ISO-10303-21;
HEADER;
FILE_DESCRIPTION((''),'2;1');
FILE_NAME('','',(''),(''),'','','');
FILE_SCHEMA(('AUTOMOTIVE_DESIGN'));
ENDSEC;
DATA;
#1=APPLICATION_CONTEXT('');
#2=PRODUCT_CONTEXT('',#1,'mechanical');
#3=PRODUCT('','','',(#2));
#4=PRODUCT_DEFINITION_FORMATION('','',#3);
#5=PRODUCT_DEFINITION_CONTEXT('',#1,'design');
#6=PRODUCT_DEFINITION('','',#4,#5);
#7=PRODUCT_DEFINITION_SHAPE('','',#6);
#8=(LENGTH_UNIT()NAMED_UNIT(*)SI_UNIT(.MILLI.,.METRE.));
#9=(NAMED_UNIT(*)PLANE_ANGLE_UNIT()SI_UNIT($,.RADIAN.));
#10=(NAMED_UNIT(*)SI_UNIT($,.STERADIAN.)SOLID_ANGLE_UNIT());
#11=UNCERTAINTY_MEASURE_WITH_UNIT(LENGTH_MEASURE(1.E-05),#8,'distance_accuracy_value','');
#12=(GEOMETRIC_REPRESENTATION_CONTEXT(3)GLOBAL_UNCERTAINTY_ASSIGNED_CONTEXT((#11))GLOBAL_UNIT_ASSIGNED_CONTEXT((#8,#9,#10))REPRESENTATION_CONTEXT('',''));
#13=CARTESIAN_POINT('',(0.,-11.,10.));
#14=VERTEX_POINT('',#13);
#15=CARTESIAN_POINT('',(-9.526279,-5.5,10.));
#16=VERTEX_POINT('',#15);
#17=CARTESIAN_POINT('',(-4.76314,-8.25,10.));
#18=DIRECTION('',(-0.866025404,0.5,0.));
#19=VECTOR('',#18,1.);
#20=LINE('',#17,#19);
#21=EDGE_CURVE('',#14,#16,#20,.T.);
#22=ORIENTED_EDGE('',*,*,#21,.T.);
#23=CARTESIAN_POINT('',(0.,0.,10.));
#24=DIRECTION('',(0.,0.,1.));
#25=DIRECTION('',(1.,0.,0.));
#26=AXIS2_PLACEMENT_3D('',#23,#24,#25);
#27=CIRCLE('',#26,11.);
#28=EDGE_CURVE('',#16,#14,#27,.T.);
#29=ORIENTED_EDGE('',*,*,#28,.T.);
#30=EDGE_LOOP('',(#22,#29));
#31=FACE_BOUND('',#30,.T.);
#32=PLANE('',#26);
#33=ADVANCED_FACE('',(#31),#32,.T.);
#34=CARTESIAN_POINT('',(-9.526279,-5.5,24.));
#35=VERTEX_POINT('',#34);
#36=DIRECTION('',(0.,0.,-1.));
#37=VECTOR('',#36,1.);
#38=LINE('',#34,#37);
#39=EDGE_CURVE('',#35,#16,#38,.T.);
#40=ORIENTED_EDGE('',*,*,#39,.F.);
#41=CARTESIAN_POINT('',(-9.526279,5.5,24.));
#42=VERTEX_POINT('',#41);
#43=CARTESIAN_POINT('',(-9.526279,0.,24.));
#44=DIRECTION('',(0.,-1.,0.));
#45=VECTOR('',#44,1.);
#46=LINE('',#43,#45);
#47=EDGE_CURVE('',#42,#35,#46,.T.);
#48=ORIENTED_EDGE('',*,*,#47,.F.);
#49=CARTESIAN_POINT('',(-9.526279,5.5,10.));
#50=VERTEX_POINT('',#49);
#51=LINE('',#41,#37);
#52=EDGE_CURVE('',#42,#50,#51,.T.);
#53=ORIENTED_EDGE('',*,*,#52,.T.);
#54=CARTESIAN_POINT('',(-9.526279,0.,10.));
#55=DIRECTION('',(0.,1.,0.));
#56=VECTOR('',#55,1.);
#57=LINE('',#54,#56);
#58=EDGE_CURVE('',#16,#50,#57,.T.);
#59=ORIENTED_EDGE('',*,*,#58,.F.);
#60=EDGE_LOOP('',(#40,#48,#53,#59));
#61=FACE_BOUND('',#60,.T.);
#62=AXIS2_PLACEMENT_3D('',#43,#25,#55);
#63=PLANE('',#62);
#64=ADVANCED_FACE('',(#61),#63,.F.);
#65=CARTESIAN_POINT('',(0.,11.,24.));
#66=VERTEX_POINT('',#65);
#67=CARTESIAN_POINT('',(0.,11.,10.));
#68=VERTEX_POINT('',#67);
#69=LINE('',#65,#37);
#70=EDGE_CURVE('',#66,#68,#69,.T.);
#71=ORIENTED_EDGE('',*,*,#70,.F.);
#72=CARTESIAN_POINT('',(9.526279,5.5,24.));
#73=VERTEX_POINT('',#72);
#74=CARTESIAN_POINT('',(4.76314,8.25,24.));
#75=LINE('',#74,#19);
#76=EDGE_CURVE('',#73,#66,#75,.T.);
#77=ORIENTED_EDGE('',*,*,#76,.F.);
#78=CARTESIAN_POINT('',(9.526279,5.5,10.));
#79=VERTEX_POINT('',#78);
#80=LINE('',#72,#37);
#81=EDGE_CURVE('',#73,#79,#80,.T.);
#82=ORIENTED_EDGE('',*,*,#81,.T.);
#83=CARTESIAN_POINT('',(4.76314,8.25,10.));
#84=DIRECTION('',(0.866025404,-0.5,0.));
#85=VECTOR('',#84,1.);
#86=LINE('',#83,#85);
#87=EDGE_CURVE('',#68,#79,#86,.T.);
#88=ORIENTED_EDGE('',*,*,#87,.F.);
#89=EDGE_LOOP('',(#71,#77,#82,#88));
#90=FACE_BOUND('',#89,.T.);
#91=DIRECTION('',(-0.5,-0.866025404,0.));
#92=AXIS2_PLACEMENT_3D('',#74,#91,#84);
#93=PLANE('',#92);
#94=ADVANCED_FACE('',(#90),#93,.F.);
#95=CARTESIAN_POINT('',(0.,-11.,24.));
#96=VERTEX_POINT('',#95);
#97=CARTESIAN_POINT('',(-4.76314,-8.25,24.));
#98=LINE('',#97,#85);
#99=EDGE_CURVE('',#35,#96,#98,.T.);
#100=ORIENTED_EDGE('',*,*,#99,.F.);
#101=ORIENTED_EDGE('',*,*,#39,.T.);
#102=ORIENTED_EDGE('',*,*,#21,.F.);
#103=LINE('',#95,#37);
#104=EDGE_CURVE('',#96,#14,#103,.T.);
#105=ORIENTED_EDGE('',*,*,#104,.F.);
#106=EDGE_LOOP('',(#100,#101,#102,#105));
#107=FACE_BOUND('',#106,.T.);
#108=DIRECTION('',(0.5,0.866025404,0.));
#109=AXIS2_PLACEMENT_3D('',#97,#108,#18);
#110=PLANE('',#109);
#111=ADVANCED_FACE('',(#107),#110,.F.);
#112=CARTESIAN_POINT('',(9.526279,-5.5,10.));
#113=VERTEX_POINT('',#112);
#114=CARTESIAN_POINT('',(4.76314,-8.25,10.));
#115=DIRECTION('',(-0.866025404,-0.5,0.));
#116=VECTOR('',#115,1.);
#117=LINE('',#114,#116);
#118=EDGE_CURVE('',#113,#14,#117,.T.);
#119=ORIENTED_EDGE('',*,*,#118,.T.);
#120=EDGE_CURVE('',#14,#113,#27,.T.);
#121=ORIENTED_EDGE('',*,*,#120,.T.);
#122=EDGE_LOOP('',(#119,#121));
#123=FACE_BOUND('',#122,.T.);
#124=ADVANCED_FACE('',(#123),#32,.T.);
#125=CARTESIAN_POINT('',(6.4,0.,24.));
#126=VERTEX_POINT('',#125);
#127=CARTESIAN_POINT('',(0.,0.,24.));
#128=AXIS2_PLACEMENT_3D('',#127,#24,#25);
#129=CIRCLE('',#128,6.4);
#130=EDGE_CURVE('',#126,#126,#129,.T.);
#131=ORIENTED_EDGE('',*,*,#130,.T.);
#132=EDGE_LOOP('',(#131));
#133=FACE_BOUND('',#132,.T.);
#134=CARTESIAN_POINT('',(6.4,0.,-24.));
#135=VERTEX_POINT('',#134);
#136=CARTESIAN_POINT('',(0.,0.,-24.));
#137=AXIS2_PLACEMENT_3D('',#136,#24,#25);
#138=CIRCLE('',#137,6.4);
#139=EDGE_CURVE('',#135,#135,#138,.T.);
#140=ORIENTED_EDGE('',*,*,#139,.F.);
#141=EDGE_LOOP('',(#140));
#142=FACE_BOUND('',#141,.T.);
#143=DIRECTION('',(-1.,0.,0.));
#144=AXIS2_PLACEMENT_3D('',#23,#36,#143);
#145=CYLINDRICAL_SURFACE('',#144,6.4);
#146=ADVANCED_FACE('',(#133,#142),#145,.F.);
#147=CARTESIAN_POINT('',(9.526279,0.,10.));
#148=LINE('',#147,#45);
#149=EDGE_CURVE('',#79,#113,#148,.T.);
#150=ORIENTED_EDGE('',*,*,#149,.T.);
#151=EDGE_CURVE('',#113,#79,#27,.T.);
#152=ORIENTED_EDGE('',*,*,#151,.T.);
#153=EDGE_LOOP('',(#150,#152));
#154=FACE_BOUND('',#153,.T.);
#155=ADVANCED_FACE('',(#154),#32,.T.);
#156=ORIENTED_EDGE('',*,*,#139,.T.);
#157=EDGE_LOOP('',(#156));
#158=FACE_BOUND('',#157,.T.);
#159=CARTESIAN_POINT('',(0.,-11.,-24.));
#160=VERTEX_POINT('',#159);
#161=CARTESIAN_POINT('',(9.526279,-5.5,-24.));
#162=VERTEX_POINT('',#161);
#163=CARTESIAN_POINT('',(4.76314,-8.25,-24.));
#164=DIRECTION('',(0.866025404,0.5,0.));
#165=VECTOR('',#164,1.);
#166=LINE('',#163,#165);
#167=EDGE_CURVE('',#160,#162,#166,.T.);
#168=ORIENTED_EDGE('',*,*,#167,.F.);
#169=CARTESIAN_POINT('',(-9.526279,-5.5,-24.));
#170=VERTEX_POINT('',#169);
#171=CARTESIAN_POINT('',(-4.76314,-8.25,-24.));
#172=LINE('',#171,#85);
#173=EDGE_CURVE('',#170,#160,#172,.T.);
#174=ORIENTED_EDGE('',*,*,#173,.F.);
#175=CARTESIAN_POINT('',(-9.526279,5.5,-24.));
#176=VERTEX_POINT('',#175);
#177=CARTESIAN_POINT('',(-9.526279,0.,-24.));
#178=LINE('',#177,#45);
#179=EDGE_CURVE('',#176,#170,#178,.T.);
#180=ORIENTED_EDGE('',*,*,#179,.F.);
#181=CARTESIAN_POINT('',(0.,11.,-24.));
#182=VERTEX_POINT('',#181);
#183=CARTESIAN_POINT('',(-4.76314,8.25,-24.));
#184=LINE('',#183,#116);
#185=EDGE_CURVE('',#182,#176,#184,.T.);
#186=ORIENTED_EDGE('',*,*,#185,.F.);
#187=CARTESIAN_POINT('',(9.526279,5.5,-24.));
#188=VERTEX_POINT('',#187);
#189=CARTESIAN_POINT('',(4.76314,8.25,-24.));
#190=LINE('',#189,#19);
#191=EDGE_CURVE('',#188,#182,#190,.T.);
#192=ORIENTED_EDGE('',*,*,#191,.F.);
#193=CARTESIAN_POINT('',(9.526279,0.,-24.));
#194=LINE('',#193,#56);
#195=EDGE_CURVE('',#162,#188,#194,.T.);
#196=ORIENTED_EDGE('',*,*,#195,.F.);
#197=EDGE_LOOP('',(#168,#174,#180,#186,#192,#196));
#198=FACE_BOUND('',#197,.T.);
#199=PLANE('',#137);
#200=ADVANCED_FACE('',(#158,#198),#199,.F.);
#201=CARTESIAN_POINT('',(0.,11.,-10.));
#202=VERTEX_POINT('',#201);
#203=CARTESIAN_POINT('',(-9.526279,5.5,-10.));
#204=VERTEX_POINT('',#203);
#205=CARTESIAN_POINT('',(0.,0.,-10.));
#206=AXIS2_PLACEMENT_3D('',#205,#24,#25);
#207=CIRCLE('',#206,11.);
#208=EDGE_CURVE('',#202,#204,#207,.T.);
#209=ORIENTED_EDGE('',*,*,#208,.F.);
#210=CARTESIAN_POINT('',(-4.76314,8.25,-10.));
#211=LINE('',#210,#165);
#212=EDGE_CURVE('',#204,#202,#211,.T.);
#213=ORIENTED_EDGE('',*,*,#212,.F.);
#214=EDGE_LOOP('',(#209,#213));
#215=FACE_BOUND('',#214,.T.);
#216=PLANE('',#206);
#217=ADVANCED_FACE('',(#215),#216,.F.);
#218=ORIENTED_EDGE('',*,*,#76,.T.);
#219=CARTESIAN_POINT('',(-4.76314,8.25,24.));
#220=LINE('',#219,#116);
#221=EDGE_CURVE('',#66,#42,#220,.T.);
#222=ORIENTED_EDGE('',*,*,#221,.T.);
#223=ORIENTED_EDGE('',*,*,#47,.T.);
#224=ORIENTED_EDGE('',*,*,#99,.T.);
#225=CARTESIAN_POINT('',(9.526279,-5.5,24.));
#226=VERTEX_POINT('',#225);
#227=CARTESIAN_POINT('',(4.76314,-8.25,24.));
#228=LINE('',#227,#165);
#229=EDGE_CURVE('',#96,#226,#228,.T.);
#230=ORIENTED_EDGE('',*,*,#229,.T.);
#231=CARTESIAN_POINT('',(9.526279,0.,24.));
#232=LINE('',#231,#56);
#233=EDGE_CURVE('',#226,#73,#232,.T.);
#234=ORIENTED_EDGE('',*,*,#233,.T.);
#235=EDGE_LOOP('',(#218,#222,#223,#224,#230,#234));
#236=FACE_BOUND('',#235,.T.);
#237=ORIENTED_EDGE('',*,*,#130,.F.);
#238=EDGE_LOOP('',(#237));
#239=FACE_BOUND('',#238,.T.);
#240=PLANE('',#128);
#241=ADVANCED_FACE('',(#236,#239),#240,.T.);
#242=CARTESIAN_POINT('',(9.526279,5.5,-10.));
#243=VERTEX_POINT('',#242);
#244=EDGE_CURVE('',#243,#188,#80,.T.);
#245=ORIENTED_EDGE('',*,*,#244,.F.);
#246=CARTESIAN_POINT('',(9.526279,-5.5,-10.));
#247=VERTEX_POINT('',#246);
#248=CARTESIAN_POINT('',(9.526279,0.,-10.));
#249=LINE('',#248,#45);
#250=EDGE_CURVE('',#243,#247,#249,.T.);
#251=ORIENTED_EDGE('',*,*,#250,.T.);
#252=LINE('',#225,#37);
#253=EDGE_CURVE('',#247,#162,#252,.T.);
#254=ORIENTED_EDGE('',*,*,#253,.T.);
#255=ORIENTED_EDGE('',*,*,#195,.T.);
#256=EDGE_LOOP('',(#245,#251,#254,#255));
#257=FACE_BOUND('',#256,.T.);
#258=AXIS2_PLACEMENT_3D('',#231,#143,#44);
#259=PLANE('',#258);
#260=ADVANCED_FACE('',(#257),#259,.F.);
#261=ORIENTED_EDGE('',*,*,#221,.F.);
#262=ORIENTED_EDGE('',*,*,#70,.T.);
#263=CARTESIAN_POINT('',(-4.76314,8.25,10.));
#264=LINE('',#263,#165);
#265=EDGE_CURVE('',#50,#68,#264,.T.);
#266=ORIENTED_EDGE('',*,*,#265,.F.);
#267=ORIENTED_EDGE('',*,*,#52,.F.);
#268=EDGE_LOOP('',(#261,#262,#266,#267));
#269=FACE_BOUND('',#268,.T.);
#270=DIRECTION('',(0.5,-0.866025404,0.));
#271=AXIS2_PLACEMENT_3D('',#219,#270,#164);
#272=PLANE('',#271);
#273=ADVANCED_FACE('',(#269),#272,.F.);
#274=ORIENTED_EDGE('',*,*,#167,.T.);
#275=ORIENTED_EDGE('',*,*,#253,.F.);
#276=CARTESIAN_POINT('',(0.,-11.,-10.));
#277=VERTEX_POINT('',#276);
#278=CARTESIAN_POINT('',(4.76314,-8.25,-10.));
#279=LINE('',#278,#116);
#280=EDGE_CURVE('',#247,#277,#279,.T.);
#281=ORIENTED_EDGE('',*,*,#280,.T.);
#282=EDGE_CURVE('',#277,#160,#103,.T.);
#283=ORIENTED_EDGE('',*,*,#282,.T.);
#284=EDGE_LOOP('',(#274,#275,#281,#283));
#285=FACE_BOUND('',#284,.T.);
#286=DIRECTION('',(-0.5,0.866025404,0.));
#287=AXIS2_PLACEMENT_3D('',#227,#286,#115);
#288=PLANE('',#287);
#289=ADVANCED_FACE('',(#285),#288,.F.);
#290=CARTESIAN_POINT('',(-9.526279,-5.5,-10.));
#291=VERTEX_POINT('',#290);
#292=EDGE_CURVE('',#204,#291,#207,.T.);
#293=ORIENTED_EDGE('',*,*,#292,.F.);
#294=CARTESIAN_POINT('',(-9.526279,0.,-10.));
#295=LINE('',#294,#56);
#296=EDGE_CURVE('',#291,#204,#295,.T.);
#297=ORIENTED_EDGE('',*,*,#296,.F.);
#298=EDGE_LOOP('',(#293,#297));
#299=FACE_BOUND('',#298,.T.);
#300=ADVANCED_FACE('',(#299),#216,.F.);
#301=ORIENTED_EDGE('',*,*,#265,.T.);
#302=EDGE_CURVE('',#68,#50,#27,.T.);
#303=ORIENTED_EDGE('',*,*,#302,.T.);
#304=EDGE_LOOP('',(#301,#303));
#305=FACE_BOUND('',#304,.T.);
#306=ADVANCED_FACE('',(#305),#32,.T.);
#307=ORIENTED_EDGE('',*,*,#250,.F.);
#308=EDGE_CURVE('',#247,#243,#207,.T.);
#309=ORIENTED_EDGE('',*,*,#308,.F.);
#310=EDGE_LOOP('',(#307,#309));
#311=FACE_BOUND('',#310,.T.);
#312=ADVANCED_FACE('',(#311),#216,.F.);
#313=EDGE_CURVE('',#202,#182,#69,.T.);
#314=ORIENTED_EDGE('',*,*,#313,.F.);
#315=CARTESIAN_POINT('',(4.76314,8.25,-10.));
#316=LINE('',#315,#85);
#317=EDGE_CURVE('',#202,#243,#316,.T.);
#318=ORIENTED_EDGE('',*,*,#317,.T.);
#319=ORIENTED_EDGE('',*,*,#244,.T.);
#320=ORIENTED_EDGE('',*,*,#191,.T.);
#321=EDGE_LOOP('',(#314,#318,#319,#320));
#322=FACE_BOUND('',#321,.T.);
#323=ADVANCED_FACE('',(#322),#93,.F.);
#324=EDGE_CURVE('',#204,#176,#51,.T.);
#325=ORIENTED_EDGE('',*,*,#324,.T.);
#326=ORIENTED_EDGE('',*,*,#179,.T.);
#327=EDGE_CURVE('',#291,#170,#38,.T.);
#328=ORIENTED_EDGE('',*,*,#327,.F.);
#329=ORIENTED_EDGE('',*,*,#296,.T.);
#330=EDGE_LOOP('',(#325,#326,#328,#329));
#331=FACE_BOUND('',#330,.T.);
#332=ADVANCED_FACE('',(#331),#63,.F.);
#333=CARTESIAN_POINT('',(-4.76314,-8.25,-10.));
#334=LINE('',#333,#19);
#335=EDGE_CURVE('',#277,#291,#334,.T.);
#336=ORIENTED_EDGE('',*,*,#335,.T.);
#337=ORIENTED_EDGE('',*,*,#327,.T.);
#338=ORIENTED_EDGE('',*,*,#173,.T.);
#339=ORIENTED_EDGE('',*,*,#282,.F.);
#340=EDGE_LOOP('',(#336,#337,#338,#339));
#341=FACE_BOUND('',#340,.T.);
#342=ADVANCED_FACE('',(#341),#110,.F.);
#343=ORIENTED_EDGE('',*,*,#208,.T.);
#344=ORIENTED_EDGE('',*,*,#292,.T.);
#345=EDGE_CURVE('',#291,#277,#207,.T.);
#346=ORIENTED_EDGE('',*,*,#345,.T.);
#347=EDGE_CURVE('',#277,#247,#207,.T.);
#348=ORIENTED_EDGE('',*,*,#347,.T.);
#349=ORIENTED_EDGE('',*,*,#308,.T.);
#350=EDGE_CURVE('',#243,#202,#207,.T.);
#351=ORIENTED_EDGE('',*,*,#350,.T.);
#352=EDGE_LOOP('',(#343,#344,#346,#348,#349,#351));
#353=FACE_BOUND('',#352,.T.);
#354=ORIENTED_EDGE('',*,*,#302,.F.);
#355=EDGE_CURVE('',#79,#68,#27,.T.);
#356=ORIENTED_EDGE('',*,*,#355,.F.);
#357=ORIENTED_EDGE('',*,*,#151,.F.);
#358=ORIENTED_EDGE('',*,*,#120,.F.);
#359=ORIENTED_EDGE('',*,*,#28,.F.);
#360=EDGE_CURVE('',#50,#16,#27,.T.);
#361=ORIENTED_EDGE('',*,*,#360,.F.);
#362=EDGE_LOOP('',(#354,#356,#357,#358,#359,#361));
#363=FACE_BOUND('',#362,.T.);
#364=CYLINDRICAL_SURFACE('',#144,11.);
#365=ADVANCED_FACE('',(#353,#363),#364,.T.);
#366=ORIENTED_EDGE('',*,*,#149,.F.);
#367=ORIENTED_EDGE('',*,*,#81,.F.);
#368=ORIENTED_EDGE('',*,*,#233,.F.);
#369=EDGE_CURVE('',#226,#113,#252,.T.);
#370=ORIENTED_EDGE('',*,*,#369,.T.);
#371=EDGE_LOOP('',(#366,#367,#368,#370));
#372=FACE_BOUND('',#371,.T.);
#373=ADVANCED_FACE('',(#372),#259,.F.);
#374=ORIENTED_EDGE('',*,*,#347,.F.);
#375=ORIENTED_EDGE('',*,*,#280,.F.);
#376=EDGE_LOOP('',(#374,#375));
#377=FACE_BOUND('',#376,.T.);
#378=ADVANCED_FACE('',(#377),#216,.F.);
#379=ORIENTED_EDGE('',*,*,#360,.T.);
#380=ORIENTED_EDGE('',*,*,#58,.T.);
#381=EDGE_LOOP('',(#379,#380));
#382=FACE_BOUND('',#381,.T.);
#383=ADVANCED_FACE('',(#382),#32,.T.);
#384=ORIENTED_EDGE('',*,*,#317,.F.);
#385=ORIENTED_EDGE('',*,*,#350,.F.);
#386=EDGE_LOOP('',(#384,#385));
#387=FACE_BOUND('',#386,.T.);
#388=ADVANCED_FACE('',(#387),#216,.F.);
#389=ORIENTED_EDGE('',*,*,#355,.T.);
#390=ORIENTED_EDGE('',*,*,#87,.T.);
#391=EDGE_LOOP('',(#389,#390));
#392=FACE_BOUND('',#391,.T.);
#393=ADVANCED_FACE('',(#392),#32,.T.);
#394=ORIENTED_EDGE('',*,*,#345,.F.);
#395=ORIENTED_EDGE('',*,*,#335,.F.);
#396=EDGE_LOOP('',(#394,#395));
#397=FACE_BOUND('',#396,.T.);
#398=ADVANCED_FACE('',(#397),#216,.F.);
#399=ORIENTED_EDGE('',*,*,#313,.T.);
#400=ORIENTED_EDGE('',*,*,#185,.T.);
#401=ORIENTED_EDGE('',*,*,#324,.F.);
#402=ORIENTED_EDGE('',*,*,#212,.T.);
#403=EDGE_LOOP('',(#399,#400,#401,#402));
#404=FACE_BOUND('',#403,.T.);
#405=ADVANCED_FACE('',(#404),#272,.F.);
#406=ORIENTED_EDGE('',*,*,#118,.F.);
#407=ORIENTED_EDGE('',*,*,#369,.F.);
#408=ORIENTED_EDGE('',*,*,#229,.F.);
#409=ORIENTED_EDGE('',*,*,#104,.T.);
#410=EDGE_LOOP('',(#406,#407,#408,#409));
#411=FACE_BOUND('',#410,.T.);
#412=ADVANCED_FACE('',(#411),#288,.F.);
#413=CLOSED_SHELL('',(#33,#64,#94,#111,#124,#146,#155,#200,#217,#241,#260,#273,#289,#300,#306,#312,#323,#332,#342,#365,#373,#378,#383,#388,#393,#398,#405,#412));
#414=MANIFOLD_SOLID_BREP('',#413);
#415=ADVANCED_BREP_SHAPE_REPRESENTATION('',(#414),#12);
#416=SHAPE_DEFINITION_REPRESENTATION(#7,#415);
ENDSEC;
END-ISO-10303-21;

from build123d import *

# Parameters (mm, degrees)
SKETCH1_R           = 11
SKETCH1_R_2         = 6.4
BOSS_EXTRUDE1_DEPTH = 10
SKETCH1_3_R         = 6.4
BOSS_EXTRUDE2_DEPTH = 24


with BuildPart() as part:
    # Sketch1 → Boss-Extrude1 (new, symmetric)
    with BuildSketch(Plane.XY):
        Circle(SKETCH1_R)
        Circle(SKETCH1_R_2, mode=Mode.SUBTRACT)
    extrude(amount=BOSS_EXTRUDE1_DEPTH, both=True)

    # Sketch1<3> → Boss-Extrude2 (add, symmetric)
    with BuildSketch(Plane.XY):
        Polygon((-9.526279442, -5.5), (0, -11), (9.526279442, -5.5), (9.526279442, 5.5), (0, 11), (-9.526279442, 5.5), align=None)
        Circle(SKETCH1_3_R, mode=Mode.SUBTRACT)
    extrude(amount=BOSS_EXTRUDE2_DEPTH, both=True)


solid = part.part
